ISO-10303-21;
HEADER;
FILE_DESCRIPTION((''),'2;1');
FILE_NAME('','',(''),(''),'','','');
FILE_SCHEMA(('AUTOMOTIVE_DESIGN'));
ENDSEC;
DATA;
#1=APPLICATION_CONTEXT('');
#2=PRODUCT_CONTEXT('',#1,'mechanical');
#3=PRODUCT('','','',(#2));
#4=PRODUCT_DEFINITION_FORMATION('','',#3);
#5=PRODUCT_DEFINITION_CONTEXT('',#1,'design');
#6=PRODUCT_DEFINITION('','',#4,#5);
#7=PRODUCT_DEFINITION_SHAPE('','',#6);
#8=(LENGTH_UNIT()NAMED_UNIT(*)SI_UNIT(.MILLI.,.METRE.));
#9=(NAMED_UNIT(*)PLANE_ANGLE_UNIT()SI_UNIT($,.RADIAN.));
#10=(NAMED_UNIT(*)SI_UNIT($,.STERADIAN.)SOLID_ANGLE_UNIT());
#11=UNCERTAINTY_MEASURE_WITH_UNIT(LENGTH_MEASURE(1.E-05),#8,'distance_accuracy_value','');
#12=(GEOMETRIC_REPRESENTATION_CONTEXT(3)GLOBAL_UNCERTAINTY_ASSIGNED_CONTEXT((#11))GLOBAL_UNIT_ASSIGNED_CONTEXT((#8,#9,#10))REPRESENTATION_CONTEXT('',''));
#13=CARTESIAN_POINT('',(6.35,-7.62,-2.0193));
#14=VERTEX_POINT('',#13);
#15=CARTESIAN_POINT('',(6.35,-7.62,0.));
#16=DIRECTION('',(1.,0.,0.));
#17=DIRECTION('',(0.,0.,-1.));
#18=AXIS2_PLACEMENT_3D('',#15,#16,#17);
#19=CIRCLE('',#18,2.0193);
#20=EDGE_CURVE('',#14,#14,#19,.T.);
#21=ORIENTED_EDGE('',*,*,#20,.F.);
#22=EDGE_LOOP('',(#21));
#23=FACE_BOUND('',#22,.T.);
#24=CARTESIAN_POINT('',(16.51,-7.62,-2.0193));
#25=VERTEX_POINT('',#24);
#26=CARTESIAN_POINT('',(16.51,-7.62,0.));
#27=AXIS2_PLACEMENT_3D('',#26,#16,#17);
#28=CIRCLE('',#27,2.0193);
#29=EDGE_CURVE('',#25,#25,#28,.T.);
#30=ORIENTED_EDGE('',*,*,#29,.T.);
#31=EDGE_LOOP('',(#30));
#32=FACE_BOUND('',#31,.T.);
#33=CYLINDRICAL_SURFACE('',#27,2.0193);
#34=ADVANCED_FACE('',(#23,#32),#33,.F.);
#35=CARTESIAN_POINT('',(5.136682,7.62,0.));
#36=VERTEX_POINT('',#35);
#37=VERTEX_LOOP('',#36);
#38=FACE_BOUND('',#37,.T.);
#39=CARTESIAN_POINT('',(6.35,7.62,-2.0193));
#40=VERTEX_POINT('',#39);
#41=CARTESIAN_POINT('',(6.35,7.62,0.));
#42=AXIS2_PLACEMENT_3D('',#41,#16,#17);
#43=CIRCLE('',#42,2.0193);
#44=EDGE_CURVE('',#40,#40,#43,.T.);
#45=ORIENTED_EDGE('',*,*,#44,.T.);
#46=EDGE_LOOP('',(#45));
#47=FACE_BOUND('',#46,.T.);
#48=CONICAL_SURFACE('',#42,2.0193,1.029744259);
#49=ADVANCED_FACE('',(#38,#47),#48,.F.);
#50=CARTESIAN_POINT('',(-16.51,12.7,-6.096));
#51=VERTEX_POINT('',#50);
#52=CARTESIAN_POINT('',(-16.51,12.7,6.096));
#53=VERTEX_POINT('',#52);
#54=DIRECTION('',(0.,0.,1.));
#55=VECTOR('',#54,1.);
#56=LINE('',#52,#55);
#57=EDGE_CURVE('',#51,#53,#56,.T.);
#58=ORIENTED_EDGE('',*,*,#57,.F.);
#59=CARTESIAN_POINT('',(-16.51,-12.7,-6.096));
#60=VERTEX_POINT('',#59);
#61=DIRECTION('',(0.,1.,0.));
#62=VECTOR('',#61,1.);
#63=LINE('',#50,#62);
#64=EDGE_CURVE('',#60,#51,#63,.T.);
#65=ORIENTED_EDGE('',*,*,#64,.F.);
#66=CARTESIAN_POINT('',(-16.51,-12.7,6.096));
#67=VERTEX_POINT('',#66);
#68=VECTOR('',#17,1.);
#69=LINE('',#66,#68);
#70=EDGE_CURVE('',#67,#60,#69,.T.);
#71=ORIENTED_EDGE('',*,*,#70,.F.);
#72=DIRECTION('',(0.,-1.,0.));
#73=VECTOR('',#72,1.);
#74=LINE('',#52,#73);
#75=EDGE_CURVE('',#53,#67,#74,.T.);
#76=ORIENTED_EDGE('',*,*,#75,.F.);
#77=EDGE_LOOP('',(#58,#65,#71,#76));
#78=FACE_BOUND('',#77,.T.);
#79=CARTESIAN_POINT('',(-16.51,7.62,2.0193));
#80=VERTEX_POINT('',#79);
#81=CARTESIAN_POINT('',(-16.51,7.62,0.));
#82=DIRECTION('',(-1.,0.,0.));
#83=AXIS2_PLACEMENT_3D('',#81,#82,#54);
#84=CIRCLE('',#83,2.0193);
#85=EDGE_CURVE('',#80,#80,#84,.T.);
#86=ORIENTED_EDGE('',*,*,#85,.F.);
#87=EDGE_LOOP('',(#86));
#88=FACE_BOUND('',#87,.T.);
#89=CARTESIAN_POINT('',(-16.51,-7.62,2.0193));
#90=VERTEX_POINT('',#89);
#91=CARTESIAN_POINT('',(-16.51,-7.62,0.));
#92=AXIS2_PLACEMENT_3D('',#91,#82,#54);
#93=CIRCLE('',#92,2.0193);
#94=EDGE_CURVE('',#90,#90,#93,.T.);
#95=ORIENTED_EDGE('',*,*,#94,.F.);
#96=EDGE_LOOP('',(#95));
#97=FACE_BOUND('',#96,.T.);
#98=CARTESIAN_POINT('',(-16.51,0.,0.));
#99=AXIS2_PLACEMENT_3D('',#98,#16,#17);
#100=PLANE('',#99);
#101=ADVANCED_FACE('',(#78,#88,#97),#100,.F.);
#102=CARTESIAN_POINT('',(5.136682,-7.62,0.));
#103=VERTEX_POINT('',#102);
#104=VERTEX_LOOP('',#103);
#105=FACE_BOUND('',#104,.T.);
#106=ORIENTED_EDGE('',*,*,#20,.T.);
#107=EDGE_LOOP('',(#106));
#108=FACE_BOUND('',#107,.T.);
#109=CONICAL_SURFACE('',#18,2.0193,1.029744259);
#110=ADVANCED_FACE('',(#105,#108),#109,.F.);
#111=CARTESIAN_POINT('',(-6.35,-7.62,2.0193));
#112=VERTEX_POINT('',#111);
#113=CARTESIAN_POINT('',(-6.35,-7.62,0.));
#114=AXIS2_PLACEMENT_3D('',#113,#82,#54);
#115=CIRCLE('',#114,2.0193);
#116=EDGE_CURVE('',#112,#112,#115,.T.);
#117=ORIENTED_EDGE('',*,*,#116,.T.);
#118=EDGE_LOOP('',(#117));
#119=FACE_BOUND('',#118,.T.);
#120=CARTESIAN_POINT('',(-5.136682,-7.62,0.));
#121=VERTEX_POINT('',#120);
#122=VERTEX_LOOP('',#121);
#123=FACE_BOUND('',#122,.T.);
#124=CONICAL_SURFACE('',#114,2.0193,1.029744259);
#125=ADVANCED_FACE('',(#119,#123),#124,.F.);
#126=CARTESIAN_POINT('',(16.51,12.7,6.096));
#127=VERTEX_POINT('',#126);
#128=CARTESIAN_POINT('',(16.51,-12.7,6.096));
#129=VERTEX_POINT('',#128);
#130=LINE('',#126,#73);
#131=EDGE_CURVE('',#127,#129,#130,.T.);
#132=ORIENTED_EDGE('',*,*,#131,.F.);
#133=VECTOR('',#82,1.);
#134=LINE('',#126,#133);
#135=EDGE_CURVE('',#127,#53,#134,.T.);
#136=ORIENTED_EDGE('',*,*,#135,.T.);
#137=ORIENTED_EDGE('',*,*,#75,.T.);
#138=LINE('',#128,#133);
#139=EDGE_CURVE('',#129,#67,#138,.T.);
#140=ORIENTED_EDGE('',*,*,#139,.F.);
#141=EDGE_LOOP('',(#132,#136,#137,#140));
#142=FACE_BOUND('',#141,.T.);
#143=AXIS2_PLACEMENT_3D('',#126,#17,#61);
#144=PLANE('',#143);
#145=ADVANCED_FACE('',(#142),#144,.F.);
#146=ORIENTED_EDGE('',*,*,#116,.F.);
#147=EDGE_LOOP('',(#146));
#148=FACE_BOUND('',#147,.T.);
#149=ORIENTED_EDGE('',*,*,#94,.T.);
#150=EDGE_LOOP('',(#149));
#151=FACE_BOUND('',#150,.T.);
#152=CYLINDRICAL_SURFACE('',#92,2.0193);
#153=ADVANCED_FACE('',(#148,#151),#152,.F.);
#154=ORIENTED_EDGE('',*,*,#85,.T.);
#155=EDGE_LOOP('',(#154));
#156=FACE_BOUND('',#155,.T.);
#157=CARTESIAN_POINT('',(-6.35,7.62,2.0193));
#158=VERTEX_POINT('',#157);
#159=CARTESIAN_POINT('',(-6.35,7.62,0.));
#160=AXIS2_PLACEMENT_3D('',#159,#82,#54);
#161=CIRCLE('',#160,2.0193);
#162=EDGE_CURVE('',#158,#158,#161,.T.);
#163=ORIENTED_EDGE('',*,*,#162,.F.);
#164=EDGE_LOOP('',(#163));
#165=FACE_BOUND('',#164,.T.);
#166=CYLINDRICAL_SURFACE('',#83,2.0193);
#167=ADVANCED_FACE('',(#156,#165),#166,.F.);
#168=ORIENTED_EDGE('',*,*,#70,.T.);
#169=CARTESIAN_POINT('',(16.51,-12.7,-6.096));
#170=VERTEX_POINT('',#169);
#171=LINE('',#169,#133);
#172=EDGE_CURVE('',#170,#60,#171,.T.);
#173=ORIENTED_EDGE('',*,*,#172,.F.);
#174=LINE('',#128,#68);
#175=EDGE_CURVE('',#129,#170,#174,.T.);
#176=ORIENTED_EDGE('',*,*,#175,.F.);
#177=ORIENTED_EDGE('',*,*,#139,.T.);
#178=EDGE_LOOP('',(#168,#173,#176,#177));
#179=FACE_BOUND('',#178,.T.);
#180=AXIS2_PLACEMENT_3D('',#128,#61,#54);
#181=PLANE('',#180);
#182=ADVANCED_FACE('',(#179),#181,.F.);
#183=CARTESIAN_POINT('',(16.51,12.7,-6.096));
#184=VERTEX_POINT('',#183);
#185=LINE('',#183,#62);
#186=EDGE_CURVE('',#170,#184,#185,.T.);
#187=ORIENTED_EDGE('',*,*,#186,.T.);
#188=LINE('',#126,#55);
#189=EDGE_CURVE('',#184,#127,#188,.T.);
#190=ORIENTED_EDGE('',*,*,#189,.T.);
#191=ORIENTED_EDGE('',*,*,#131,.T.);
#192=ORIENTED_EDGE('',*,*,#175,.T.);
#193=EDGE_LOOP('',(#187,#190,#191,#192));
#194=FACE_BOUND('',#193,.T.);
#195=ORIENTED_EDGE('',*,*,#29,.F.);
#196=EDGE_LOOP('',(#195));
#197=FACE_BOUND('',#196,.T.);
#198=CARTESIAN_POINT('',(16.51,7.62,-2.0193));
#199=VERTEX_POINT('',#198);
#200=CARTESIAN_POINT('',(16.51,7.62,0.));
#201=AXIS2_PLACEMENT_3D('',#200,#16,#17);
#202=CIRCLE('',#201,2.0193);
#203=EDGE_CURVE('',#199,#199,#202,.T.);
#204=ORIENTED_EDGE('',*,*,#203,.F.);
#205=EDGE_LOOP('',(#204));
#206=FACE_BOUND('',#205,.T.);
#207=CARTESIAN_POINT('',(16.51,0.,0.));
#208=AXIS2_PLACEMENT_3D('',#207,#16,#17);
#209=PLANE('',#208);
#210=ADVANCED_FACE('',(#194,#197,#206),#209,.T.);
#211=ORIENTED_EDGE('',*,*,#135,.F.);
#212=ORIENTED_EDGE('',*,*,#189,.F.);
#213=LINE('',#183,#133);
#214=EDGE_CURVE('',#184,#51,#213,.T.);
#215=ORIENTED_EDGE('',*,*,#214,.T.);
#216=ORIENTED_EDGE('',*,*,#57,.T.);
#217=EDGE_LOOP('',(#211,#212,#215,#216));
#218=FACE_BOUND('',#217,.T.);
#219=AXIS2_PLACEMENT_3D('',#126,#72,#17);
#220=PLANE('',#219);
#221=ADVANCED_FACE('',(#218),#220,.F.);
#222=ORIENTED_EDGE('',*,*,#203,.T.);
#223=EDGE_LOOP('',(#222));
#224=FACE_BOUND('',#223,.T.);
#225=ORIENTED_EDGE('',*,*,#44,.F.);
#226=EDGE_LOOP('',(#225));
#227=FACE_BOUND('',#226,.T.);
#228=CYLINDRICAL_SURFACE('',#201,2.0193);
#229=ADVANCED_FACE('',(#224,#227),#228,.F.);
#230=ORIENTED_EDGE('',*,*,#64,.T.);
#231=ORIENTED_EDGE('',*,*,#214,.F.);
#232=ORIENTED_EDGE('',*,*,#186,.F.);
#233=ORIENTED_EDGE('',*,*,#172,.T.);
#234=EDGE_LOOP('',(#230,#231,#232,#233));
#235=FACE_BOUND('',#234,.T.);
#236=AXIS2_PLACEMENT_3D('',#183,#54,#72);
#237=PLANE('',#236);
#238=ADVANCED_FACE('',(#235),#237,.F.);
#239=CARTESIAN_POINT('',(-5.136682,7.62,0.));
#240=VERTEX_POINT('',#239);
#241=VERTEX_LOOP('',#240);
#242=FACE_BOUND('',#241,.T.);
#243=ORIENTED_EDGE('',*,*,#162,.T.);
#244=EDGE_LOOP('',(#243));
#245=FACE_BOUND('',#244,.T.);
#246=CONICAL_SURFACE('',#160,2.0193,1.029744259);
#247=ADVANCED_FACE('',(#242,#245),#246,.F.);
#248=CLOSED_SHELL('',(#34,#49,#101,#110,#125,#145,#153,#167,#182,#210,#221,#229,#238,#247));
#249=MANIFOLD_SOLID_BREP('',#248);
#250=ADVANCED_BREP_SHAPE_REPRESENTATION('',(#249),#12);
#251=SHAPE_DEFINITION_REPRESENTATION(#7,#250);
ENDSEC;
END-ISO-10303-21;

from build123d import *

# Parameters (mm, degrees)
SKETCH1_W                           = 12.192
SKETCH1_H                           = 25.4
BOSS_EXTRUDE1_DEPTH                 = 16.51
TAP_DRILL_FOR_10_32_TAP1_AT_2_COUNT = 2
TAP_DRILL_FOR_10_32_TAP1_AT_2_PITCH = 15.24


with BuildPart() as part:
    # Sketch1 → Boss-Extrude1 (new, symmetric)
    with BuildSketch(Plane(origin=(0, 0, 0), x_dir=(0, 0, -1), z_dir=(1, 0, 0))):
        Rectangle(SKETCH1_W, SKETCH1_H)
    extrude(amount=BOSS_EXTRUDE1_DEPTH, both=True)

    # Sketch4 → Tap Drill for #10-32 Tap1 (revolve, cut)
    with BuildSketch(Plane(origin=(16.51, 7.62, 0), x_dir=(0, 0, -1), z_dir=(0, 1, 0))):
        Polygon((0, 0), (0, 11.373317848), (2.0193, 10.16), (2.0193, 0), align=None)
    tap_drill_for_10_32_tap1 = revolve(axis=Axis((22.86, 7.62, 0), (-1, 0, 0)), mode=Mode.SUBTRACT)

    # Tap Drill for #10-32 Tap1 at 2: Tap Drill for #10-32 Tap1 ×2
    with Locations(*[(0, -i * TAP_DRILL_FOR_10_32_TAP1_AT_2_PITCH, 0) for i in range(1, TAP_DRILL_FOR_10_32_TAP1_AT_2_COUNT)]):
        add(tap_drill_for_10_32_tap1, mode=Mode.SUBTRACT)

    # Mirror1: Tap Drill for #10-32 Tap1 across plane
    add(tap_drill_for_10_32_tap1.mirror(Plane(origin=(0, 0, 0), x_dir=(0, 0, 1), z_dir=(1, 0, 0))), mode=Mode.SUBTRACT)

    # Mirror1 copy 1 sketch → Mirror1 copy 1 (revolve, cut)
    with BuildSketch(Plane(origin=(-16.51, -7.62, 0), x_dir=(0, 0, -1), z_dir=(0, 1, 0))):
        Polygon((0, 0), (0, -11.373317848), (2.0193, -10.16), (2.0193, 0), align=None)
    revolve(axis=Axis((-22.86, -7.62, 0), (-1, 0, 0)), mode=Mode.SUBTRACT)


solid = part.part
